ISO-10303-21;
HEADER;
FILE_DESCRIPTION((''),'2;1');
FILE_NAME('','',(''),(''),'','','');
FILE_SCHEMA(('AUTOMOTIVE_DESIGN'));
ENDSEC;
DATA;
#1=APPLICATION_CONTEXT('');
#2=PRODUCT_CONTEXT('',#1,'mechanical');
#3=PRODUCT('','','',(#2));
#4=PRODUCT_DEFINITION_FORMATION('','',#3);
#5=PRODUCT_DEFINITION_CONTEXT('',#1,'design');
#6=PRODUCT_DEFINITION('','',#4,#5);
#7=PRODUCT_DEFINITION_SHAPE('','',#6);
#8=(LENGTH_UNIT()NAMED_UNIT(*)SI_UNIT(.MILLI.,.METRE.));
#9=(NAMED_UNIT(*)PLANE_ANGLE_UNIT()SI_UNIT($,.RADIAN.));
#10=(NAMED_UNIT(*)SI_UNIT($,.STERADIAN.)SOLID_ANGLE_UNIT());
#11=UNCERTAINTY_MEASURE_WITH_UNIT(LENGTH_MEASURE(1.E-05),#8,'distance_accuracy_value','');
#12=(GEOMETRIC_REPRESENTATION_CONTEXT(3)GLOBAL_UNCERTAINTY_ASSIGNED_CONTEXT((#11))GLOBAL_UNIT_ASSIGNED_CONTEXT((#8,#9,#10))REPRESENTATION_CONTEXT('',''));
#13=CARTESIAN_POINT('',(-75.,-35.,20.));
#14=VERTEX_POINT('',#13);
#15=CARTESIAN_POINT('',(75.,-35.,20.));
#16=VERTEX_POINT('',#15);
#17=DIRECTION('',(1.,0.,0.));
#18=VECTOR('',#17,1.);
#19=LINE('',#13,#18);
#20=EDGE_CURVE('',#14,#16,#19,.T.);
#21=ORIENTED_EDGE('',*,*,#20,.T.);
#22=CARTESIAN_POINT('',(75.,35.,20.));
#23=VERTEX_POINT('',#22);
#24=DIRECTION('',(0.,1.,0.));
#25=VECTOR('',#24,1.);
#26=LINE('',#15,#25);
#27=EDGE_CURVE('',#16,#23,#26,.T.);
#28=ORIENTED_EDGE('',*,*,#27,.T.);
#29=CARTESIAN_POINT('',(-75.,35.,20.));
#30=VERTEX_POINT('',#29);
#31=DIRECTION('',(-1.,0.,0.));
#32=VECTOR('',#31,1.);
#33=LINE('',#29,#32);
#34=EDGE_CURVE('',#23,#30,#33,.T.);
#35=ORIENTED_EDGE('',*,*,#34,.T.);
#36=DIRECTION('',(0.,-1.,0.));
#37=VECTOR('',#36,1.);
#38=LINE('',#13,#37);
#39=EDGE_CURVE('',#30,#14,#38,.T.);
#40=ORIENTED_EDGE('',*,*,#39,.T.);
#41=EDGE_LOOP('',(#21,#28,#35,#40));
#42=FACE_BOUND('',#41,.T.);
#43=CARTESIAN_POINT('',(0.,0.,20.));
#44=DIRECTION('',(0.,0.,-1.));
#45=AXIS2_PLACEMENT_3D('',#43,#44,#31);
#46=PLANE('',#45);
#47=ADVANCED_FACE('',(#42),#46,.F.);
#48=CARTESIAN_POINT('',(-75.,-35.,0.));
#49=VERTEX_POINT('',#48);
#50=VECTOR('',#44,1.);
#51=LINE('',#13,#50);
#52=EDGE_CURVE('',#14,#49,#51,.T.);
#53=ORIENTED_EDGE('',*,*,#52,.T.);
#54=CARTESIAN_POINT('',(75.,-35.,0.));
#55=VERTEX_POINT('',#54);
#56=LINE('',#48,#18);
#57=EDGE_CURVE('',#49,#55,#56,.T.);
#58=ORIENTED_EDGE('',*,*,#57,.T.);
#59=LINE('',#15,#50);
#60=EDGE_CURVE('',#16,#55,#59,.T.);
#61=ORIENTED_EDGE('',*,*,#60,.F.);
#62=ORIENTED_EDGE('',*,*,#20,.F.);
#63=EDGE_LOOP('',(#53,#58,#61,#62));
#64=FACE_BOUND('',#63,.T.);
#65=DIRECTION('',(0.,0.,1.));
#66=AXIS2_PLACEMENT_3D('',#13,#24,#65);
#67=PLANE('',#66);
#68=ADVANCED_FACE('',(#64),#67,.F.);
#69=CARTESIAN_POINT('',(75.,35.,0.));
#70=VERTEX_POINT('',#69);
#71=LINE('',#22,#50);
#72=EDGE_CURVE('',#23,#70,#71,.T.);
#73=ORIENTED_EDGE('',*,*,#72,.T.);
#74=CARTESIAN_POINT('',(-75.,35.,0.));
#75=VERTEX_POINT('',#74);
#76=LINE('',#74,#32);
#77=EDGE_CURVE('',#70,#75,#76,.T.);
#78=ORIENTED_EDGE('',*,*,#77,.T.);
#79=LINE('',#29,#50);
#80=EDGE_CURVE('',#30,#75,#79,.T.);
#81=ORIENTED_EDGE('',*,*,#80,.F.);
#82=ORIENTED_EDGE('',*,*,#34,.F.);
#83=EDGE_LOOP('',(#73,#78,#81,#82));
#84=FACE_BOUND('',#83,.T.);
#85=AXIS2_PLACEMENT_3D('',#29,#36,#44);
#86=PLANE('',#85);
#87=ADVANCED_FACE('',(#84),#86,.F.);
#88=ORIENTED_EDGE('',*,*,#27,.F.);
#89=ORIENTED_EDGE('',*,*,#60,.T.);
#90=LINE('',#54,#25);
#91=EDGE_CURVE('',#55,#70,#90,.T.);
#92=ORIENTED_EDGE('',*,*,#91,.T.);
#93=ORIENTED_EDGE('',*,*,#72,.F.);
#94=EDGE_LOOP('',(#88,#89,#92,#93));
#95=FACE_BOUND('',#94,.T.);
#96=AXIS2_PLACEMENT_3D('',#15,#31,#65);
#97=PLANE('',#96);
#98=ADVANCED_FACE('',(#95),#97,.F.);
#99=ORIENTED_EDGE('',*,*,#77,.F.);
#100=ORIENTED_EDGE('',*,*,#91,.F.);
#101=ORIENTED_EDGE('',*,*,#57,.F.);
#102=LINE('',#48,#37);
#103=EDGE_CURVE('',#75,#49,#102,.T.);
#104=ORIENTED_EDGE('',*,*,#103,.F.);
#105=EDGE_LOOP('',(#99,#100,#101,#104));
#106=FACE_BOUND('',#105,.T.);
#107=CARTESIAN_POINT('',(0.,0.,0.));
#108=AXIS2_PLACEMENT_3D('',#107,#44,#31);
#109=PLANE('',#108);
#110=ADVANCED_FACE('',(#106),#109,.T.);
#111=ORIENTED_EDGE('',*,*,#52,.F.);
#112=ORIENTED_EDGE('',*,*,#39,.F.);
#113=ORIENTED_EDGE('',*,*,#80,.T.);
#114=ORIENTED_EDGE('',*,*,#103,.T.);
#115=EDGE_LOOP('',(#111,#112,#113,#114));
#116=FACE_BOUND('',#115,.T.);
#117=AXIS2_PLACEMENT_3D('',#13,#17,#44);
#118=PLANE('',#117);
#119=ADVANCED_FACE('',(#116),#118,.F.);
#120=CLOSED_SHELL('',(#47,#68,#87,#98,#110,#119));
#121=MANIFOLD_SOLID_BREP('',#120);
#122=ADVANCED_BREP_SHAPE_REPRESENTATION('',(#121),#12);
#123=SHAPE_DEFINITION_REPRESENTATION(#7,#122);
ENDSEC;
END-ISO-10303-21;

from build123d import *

# Parameters (mm, degrees)
SKETCH_1_W      = 150
SKETCH_1_H      = 70
EXTRUDE_1_DEPTH = 20


with BuildPart() as part:
    # 草图1 → 凸台-拉伸1 (new body)
    with BuildSketch(Plane.XY):
        Rectangle(SKETCH_1_W, SKETCH_1_H)
    extrude(amount=EXTRUDE_1_DEPTH)


solid = part.part
